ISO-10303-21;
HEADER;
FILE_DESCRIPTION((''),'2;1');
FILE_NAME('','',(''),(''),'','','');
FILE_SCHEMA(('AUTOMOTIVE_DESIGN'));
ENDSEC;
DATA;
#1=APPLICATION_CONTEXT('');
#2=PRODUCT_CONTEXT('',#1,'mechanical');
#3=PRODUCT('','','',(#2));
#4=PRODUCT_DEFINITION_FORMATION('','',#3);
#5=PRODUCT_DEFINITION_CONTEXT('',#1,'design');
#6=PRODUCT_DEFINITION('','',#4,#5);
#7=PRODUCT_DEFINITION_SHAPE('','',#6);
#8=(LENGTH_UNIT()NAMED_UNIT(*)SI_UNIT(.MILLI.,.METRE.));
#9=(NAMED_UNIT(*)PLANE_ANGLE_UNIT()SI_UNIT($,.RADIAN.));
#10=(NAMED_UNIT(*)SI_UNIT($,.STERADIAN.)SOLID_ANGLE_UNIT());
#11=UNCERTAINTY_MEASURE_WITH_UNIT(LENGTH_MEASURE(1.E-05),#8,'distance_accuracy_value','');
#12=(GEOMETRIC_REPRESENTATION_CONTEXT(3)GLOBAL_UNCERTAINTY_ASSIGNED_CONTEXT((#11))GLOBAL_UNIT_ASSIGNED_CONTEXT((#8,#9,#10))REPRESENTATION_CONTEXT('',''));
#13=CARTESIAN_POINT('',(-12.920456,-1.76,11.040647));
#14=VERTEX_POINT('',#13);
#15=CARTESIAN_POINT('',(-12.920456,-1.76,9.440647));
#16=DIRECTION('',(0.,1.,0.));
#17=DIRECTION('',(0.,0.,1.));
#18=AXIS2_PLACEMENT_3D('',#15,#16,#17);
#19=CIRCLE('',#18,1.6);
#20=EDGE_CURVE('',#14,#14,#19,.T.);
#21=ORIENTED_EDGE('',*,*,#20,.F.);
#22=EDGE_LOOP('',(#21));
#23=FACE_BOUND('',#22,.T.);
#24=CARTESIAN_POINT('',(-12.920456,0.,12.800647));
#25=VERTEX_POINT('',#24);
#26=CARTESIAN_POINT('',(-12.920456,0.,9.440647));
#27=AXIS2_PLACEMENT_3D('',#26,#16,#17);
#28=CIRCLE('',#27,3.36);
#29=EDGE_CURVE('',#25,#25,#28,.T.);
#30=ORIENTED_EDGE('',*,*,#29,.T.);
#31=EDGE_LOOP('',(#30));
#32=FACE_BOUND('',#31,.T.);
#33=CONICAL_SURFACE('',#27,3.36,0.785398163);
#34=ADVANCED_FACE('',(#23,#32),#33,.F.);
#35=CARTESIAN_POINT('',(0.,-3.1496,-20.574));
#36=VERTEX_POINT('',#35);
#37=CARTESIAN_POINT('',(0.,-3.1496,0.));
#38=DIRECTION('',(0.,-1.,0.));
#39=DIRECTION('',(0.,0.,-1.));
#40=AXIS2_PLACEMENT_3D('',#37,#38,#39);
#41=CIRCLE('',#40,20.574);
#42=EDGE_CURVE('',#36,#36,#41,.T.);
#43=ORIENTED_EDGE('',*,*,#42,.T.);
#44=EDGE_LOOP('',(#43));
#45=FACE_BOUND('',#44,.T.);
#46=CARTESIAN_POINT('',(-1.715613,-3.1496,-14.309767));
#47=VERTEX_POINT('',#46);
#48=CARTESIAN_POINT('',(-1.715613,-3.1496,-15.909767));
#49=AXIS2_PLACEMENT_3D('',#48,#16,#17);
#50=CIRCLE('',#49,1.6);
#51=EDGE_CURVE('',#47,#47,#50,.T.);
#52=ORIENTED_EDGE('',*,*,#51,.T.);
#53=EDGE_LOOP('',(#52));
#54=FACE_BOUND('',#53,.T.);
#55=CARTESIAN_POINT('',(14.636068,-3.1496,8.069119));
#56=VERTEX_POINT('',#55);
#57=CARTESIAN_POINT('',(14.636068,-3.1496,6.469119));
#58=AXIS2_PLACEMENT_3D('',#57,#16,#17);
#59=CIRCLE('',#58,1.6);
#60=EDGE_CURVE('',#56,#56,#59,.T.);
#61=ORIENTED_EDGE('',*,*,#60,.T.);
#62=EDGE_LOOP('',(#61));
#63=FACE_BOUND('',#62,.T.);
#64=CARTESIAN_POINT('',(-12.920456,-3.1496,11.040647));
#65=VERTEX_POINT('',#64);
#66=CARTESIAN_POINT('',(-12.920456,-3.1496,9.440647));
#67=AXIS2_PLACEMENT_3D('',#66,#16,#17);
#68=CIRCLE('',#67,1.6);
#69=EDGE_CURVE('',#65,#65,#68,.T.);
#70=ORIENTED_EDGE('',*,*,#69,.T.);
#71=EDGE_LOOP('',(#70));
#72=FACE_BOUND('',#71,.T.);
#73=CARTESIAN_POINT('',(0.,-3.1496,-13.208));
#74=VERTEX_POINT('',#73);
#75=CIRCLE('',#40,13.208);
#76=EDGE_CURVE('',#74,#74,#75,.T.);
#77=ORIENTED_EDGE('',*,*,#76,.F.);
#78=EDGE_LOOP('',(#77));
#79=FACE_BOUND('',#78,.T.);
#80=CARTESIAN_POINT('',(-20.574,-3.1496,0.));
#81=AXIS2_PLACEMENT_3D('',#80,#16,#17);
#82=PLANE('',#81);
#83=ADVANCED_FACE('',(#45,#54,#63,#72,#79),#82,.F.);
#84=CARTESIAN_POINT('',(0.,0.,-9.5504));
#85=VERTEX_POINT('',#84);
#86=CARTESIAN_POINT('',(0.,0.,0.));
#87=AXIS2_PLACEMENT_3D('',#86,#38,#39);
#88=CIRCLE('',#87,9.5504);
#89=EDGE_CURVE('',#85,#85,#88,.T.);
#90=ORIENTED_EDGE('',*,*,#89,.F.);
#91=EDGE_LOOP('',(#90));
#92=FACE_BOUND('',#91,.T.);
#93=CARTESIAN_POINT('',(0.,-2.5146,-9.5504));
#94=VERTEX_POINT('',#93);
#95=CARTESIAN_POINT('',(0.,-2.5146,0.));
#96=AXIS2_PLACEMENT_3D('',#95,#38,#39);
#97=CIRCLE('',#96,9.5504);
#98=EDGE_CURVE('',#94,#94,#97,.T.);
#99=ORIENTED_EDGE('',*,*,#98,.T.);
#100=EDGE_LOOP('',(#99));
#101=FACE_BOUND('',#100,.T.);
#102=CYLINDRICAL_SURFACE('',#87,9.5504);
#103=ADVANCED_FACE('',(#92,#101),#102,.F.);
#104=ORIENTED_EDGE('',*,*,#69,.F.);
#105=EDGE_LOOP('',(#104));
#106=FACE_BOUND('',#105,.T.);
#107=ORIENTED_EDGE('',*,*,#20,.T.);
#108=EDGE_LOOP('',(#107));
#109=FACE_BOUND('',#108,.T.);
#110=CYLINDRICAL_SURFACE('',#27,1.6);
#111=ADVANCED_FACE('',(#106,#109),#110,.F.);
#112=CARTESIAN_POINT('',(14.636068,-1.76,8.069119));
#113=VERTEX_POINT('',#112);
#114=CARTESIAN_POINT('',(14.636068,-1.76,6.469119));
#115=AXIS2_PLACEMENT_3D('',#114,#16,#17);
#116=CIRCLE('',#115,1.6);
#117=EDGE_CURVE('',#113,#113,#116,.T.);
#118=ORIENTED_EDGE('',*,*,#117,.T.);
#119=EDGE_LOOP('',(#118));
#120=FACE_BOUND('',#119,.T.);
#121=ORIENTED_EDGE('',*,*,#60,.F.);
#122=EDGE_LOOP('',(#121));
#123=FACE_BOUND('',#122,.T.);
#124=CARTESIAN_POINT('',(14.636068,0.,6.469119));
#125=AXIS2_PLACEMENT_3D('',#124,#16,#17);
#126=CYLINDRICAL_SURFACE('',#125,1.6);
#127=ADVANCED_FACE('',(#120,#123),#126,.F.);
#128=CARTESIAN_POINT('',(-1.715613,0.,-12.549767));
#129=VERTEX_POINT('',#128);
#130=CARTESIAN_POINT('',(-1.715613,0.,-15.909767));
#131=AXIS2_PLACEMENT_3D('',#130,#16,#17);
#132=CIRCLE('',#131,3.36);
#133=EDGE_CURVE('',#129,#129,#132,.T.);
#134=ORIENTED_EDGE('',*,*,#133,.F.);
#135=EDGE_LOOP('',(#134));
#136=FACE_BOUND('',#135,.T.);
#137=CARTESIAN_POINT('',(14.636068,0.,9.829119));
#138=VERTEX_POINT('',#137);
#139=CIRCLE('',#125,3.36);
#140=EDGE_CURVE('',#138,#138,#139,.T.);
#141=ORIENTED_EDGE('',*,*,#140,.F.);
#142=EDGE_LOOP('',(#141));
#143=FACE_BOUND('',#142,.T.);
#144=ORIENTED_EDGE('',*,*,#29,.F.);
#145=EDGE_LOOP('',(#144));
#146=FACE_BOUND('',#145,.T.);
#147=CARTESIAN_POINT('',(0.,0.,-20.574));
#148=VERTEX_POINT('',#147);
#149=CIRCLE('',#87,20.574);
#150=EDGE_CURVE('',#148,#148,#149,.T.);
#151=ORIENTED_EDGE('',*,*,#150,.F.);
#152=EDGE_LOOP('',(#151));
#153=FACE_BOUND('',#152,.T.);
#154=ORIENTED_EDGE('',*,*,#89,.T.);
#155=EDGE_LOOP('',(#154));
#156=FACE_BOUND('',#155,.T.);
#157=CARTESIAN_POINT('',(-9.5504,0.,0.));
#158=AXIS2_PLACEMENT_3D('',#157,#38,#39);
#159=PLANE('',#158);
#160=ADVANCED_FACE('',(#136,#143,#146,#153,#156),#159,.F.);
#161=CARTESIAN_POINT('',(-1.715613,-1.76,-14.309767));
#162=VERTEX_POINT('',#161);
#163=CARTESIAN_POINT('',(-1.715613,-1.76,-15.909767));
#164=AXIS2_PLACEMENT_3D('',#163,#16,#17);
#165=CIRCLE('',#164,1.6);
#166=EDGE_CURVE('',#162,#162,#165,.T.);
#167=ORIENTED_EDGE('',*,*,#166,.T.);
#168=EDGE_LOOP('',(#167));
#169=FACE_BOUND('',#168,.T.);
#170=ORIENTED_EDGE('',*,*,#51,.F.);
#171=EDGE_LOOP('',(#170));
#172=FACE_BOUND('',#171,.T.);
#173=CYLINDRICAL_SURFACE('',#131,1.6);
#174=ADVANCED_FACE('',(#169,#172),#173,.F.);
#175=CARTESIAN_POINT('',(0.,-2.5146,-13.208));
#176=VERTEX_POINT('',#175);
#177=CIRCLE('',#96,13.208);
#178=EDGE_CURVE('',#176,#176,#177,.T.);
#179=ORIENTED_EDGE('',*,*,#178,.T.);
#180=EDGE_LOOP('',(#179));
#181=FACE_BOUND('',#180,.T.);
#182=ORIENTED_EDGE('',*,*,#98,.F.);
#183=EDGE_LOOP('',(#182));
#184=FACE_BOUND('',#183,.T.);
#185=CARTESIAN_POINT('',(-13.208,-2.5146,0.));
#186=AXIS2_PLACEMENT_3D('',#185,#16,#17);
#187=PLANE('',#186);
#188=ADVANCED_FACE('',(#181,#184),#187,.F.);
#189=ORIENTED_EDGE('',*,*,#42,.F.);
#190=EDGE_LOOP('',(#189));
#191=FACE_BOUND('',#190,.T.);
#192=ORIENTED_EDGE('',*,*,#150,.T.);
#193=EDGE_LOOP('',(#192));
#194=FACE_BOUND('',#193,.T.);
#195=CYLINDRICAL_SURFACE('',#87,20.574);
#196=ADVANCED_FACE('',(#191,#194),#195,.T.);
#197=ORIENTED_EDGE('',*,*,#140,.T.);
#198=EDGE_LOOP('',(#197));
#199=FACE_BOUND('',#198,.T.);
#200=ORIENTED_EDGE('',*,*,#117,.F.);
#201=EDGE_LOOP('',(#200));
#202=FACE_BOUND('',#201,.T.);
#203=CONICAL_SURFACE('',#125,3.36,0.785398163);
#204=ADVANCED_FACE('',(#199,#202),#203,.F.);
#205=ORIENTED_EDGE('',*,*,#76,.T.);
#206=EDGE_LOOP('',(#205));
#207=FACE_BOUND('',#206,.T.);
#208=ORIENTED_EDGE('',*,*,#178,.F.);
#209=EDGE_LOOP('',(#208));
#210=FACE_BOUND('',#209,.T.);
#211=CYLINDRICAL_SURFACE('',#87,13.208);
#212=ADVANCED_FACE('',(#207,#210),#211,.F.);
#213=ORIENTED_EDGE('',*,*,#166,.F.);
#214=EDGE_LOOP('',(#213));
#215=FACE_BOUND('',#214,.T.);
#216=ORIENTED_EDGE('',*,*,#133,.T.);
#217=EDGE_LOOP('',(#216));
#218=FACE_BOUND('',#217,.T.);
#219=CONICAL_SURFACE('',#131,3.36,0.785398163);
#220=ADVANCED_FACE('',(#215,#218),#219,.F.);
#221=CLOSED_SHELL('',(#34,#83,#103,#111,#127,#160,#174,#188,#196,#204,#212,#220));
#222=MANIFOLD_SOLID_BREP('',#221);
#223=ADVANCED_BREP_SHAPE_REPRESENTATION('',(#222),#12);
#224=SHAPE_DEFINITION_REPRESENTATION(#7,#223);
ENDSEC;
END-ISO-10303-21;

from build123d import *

# Parameters (mm, degrees)
CSK_FOR_M3_SFHCS1_AT_2_COUNT = 2
CSK_FOR_M3_SFHCS1_AT_2_PITCH = 16.002
CSK_FOR_M3_SFHCS1_AT_3_COUNT = 2
CSK_FOR_M3_SFHCS1_AT_3_PITCH = 16.002
CSK_FOR_M3_SFHCS1_AT_4_COUNT = 2
CSK_FOR_M3_SFHCS1_AT_4_PITCH = 16.002


with BuildPart() as part:
    # Sketch1 → Revolve1 (revolve)
    with BuildSketch(Plane.XY, mode=Mode.PRIVATE) as revolve1_sk:
        Polygon((-9.5504, 0), (-20.574, 0), (-20.574, -3.1496), (-13.208, -3.1496), (-13.208, -2.5146), (-9.5504, -2.5146), align=None)
    revolve(revolve1_sk.sketch.rotate(Axis((0, 0, 0), (0, 1, 0)), 270), axis=Axis((0, 0, 0), (0, 1, 0)))

    # Sketch2 → CSK for M3 SFHCS1 (revolve, cut)
    with BuildSketch(Plane(origin=(0, 0, 0), x_dir=(0, 0, 1), z_dir=(1, 0, 0))):
        Polygon((0, 0), (0, 3.1496), (1.6, 3.1496), (1.6, 1.76), (3.36, 0), align=None)
    csk_for_m3_sfhcs1 = revolve(axis=Axis((0, 6.35, 0), (0, -1, 0)), mode=Mode.SUBTRACT)

    # CSK for M3 SFHCS1 at 2: CSK for M3 SFHCS1 ×2
    with Locations(*[Vector(-0.10721238743656843, 0, -0.9942361409545275) * (i * CSK_FOR_M3_SFHCS1_AT_2_PITCH) for i in range(1, CSK_FOR_M3_SFHCS1_AT_2_COUNT)]):
        add(csk_for_m3_sfhcs1, mode=Mode.SUBTRACT)

    # CSK for M3 SFHCS1 at 3: CSK for M3 SFHCS1 ×2
    with Locations(*[Vector(0.9146399491455367, 0, 0.4042694193567579) * (i * CSK_FOR_M3_SFHCS1_AT_3_PITCH) for i in range(1, CSK_FOR_M3_SFHCS1_AT_3_COUNT)]):
        add(csk_for_m3_sfhcs1, mode=Mode.SUBTRACT)

    # CSK for M3 SFHCS1 at 4: CSK for M3 SFHCS1 ×2
    with Locations(*[Vector(-0.8074275617089052, 0, 0.5899667215977628) * (i * CSK_FOR_M3_SFHCS1_AT_4_PITCH) for i in range(1, CSK_FOR_M3_SFHCS1_AT_4_COUNT)]):
        add(csk_for_m3_sfhcs1, mode=Mode.SUBTRACT)


solid = part.part
